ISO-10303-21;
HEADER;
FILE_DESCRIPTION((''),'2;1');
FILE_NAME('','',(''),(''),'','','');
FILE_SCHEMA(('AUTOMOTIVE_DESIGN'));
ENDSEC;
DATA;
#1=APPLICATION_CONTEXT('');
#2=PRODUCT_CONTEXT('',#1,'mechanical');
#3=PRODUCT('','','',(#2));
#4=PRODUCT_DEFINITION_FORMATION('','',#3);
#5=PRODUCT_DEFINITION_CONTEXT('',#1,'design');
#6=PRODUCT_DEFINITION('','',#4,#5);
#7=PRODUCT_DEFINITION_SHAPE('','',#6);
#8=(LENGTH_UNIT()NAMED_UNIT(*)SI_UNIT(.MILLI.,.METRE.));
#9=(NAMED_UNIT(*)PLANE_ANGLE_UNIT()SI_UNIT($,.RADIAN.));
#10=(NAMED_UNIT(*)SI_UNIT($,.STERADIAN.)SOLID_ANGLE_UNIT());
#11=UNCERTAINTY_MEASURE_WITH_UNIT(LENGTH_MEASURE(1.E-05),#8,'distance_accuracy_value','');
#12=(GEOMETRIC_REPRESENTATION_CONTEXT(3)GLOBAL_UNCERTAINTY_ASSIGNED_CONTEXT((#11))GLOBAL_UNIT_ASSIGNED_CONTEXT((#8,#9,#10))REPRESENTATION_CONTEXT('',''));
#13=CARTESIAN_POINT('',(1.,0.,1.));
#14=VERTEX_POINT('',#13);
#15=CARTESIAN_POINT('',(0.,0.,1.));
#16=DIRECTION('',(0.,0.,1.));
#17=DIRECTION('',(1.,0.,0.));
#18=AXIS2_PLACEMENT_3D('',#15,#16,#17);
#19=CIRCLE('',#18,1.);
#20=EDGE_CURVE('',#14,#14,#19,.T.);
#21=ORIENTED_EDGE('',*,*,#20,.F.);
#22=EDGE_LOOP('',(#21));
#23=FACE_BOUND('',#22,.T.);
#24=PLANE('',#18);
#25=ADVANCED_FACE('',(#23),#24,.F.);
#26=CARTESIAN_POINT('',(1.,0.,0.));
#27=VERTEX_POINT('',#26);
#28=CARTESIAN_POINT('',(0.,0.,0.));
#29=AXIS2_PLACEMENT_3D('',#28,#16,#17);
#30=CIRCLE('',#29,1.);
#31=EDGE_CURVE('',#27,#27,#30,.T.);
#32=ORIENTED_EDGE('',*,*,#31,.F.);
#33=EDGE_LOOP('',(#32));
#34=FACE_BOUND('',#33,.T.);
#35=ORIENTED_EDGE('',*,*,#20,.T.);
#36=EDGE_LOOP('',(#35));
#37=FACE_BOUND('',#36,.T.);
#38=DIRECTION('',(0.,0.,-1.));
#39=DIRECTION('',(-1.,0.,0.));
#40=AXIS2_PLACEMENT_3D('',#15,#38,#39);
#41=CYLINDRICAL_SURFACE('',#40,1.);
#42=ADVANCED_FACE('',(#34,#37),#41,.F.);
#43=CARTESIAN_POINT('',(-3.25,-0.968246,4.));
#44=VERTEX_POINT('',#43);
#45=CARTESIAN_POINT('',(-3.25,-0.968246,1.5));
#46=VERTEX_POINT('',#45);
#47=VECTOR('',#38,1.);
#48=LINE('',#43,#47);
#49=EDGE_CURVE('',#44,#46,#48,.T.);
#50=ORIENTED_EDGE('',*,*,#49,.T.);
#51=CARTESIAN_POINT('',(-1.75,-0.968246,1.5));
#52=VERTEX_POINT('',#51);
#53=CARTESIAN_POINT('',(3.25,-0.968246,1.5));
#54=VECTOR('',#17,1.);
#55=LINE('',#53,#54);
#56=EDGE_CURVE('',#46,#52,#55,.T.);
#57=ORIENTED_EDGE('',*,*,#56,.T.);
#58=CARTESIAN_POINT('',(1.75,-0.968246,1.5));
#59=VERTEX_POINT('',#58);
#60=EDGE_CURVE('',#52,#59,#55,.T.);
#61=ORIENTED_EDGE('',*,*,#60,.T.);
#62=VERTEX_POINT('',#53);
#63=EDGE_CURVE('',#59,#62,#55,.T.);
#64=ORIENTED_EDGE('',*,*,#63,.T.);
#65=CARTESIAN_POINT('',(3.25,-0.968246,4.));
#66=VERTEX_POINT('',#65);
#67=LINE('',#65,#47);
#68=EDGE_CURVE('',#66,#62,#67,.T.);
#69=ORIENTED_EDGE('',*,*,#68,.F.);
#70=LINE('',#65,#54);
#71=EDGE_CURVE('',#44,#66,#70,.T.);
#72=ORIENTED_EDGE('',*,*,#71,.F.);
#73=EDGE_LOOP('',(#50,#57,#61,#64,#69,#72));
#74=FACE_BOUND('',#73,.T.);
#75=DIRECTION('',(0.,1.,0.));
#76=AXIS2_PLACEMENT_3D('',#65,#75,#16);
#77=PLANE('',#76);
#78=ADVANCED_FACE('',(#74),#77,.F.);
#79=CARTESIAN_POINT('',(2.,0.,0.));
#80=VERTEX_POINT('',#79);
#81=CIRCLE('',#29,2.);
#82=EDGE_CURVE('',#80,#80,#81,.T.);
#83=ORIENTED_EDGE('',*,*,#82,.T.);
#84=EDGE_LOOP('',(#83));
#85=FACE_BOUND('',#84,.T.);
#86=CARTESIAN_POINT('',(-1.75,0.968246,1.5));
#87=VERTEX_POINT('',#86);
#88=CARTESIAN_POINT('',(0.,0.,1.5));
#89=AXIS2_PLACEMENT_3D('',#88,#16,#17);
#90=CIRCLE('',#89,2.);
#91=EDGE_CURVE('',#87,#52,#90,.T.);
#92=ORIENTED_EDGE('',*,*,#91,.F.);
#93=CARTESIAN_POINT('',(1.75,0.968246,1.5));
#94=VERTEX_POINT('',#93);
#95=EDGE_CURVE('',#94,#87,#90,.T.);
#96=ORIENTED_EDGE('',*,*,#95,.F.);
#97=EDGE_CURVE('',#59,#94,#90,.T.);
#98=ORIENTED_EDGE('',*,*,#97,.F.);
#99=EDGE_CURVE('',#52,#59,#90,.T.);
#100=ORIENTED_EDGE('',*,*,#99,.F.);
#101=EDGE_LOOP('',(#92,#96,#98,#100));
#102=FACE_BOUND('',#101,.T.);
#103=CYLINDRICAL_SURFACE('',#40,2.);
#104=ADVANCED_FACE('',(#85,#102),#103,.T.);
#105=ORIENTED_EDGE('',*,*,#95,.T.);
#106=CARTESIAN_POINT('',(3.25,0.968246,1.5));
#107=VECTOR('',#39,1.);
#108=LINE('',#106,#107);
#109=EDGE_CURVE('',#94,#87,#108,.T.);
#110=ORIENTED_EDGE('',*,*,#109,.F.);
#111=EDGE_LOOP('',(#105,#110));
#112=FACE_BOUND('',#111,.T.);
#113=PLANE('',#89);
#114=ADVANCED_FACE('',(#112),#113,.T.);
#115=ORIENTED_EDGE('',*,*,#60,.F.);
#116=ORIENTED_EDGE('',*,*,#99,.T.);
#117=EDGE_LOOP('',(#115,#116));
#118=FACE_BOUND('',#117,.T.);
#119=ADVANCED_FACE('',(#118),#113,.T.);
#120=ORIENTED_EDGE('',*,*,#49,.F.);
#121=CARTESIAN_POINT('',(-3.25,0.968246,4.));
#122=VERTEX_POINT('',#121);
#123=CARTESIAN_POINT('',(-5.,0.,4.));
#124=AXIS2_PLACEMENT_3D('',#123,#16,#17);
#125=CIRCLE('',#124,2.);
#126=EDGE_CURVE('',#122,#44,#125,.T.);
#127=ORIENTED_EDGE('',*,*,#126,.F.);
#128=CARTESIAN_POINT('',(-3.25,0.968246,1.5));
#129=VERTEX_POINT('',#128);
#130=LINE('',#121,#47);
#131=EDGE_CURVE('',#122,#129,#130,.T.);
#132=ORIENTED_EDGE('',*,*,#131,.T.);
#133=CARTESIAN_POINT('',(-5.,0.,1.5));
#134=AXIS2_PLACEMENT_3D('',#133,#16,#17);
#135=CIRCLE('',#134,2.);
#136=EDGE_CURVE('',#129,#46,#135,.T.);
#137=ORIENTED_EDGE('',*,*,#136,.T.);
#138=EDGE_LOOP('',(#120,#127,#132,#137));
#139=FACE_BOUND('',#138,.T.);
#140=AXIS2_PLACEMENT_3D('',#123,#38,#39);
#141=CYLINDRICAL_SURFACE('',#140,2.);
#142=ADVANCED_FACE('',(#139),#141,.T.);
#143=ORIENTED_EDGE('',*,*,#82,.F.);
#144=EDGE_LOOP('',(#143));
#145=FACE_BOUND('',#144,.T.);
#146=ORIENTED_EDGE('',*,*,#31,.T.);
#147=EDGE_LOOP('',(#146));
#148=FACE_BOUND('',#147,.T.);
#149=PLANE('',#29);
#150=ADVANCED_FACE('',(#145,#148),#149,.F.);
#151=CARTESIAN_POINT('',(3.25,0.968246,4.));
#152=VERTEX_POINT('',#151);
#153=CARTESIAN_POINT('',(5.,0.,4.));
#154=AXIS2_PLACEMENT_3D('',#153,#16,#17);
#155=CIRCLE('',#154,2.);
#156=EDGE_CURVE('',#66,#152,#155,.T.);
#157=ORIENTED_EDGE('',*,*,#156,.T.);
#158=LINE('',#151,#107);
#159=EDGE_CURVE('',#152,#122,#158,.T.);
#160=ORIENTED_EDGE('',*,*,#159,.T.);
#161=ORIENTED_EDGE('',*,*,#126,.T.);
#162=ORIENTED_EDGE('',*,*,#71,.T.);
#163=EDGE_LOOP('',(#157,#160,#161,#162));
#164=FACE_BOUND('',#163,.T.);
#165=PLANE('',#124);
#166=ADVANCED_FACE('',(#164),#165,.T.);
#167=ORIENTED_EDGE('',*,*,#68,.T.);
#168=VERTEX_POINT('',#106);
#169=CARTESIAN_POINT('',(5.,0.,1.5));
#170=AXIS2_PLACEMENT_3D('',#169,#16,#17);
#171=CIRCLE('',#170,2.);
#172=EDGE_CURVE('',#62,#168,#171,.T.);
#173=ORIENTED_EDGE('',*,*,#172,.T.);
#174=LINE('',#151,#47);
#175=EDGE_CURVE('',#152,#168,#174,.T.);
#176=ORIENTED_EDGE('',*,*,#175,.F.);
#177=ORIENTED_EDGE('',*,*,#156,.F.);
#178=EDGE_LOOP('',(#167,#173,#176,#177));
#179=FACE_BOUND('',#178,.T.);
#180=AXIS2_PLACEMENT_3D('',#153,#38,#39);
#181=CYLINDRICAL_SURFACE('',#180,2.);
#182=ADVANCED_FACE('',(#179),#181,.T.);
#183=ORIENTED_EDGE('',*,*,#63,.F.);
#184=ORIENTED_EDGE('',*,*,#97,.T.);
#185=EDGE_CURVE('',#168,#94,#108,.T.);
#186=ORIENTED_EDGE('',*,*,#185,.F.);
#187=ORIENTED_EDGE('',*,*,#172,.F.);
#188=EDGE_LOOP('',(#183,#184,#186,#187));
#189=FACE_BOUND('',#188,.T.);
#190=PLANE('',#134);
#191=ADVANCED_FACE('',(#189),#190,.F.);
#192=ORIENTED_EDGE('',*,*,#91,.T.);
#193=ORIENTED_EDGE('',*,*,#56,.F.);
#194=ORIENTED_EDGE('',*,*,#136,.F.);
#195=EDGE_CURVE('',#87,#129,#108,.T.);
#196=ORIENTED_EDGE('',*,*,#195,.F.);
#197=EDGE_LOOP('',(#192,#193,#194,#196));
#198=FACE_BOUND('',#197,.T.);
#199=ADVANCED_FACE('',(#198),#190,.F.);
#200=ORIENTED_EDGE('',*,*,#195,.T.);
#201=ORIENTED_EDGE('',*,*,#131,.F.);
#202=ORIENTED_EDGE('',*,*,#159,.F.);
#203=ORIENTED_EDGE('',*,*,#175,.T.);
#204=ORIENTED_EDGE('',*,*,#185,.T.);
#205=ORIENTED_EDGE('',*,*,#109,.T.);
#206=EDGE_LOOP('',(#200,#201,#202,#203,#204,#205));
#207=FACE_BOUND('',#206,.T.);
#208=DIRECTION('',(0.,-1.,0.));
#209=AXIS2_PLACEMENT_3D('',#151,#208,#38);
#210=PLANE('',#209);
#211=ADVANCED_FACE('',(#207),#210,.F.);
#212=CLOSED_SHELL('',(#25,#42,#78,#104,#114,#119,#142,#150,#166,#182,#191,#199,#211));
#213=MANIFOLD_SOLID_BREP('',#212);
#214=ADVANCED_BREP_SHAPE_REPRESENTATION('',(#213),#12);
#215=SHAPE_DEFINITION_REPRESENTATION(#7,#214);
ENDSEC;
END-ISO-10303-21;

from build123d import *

# Parameters (mm, degrees)
SKETCH1_R           = 2
SKETCH1_R_2         = 1
BOSS_EXTRUDE1_DEPTH = 1
SKETCH2_R           = 2
BOSS_EXTRUDE2_DEPTH = 0.5
BOSS_EXTRUDE3_DEPTH = 2.5


with BuildPart() as part:
    # Sketch1 → Boss-Extrude1 (new body)
    with BuildSketch(Plane.XY):
        Circle(SKETCH1_R)
        Circle(SKETCH1_R_2, mode=Mode.SUBTRACT)
    extrude(amount=BOSS_EXTRUDE1_DEPTH)

    # Sketch2 → Boss-Extrude2 (add)
    with BuildSketch(Plane.XY.offset(1)):
        Circle(SKETCH2_R)
    extrude(amount=BOSS_EXTRUDE2_DEPTH)

    # Sketch3 → Boss-Extrude3 (add)
    with BuildSketch(Plane.XY.offset(1.5)):
        with BuildLine():
            Line((3.25, -0.968245837), (-3.25, -0.968245837))
            ThreePointArc((-3.25, -0.968245837), (-7, 0), (-3.25, 0.968245837))
            Line((-3.25, 0.968245837), (3.25, 0.968245837))
            ThreePointArc((3.25, 0.968245837), (7, 0), (3.25, -0.968245837))
        make_face()
    extrude(amount=BOSS_EXTRUDE3_DEPTH)


solid = part.part
